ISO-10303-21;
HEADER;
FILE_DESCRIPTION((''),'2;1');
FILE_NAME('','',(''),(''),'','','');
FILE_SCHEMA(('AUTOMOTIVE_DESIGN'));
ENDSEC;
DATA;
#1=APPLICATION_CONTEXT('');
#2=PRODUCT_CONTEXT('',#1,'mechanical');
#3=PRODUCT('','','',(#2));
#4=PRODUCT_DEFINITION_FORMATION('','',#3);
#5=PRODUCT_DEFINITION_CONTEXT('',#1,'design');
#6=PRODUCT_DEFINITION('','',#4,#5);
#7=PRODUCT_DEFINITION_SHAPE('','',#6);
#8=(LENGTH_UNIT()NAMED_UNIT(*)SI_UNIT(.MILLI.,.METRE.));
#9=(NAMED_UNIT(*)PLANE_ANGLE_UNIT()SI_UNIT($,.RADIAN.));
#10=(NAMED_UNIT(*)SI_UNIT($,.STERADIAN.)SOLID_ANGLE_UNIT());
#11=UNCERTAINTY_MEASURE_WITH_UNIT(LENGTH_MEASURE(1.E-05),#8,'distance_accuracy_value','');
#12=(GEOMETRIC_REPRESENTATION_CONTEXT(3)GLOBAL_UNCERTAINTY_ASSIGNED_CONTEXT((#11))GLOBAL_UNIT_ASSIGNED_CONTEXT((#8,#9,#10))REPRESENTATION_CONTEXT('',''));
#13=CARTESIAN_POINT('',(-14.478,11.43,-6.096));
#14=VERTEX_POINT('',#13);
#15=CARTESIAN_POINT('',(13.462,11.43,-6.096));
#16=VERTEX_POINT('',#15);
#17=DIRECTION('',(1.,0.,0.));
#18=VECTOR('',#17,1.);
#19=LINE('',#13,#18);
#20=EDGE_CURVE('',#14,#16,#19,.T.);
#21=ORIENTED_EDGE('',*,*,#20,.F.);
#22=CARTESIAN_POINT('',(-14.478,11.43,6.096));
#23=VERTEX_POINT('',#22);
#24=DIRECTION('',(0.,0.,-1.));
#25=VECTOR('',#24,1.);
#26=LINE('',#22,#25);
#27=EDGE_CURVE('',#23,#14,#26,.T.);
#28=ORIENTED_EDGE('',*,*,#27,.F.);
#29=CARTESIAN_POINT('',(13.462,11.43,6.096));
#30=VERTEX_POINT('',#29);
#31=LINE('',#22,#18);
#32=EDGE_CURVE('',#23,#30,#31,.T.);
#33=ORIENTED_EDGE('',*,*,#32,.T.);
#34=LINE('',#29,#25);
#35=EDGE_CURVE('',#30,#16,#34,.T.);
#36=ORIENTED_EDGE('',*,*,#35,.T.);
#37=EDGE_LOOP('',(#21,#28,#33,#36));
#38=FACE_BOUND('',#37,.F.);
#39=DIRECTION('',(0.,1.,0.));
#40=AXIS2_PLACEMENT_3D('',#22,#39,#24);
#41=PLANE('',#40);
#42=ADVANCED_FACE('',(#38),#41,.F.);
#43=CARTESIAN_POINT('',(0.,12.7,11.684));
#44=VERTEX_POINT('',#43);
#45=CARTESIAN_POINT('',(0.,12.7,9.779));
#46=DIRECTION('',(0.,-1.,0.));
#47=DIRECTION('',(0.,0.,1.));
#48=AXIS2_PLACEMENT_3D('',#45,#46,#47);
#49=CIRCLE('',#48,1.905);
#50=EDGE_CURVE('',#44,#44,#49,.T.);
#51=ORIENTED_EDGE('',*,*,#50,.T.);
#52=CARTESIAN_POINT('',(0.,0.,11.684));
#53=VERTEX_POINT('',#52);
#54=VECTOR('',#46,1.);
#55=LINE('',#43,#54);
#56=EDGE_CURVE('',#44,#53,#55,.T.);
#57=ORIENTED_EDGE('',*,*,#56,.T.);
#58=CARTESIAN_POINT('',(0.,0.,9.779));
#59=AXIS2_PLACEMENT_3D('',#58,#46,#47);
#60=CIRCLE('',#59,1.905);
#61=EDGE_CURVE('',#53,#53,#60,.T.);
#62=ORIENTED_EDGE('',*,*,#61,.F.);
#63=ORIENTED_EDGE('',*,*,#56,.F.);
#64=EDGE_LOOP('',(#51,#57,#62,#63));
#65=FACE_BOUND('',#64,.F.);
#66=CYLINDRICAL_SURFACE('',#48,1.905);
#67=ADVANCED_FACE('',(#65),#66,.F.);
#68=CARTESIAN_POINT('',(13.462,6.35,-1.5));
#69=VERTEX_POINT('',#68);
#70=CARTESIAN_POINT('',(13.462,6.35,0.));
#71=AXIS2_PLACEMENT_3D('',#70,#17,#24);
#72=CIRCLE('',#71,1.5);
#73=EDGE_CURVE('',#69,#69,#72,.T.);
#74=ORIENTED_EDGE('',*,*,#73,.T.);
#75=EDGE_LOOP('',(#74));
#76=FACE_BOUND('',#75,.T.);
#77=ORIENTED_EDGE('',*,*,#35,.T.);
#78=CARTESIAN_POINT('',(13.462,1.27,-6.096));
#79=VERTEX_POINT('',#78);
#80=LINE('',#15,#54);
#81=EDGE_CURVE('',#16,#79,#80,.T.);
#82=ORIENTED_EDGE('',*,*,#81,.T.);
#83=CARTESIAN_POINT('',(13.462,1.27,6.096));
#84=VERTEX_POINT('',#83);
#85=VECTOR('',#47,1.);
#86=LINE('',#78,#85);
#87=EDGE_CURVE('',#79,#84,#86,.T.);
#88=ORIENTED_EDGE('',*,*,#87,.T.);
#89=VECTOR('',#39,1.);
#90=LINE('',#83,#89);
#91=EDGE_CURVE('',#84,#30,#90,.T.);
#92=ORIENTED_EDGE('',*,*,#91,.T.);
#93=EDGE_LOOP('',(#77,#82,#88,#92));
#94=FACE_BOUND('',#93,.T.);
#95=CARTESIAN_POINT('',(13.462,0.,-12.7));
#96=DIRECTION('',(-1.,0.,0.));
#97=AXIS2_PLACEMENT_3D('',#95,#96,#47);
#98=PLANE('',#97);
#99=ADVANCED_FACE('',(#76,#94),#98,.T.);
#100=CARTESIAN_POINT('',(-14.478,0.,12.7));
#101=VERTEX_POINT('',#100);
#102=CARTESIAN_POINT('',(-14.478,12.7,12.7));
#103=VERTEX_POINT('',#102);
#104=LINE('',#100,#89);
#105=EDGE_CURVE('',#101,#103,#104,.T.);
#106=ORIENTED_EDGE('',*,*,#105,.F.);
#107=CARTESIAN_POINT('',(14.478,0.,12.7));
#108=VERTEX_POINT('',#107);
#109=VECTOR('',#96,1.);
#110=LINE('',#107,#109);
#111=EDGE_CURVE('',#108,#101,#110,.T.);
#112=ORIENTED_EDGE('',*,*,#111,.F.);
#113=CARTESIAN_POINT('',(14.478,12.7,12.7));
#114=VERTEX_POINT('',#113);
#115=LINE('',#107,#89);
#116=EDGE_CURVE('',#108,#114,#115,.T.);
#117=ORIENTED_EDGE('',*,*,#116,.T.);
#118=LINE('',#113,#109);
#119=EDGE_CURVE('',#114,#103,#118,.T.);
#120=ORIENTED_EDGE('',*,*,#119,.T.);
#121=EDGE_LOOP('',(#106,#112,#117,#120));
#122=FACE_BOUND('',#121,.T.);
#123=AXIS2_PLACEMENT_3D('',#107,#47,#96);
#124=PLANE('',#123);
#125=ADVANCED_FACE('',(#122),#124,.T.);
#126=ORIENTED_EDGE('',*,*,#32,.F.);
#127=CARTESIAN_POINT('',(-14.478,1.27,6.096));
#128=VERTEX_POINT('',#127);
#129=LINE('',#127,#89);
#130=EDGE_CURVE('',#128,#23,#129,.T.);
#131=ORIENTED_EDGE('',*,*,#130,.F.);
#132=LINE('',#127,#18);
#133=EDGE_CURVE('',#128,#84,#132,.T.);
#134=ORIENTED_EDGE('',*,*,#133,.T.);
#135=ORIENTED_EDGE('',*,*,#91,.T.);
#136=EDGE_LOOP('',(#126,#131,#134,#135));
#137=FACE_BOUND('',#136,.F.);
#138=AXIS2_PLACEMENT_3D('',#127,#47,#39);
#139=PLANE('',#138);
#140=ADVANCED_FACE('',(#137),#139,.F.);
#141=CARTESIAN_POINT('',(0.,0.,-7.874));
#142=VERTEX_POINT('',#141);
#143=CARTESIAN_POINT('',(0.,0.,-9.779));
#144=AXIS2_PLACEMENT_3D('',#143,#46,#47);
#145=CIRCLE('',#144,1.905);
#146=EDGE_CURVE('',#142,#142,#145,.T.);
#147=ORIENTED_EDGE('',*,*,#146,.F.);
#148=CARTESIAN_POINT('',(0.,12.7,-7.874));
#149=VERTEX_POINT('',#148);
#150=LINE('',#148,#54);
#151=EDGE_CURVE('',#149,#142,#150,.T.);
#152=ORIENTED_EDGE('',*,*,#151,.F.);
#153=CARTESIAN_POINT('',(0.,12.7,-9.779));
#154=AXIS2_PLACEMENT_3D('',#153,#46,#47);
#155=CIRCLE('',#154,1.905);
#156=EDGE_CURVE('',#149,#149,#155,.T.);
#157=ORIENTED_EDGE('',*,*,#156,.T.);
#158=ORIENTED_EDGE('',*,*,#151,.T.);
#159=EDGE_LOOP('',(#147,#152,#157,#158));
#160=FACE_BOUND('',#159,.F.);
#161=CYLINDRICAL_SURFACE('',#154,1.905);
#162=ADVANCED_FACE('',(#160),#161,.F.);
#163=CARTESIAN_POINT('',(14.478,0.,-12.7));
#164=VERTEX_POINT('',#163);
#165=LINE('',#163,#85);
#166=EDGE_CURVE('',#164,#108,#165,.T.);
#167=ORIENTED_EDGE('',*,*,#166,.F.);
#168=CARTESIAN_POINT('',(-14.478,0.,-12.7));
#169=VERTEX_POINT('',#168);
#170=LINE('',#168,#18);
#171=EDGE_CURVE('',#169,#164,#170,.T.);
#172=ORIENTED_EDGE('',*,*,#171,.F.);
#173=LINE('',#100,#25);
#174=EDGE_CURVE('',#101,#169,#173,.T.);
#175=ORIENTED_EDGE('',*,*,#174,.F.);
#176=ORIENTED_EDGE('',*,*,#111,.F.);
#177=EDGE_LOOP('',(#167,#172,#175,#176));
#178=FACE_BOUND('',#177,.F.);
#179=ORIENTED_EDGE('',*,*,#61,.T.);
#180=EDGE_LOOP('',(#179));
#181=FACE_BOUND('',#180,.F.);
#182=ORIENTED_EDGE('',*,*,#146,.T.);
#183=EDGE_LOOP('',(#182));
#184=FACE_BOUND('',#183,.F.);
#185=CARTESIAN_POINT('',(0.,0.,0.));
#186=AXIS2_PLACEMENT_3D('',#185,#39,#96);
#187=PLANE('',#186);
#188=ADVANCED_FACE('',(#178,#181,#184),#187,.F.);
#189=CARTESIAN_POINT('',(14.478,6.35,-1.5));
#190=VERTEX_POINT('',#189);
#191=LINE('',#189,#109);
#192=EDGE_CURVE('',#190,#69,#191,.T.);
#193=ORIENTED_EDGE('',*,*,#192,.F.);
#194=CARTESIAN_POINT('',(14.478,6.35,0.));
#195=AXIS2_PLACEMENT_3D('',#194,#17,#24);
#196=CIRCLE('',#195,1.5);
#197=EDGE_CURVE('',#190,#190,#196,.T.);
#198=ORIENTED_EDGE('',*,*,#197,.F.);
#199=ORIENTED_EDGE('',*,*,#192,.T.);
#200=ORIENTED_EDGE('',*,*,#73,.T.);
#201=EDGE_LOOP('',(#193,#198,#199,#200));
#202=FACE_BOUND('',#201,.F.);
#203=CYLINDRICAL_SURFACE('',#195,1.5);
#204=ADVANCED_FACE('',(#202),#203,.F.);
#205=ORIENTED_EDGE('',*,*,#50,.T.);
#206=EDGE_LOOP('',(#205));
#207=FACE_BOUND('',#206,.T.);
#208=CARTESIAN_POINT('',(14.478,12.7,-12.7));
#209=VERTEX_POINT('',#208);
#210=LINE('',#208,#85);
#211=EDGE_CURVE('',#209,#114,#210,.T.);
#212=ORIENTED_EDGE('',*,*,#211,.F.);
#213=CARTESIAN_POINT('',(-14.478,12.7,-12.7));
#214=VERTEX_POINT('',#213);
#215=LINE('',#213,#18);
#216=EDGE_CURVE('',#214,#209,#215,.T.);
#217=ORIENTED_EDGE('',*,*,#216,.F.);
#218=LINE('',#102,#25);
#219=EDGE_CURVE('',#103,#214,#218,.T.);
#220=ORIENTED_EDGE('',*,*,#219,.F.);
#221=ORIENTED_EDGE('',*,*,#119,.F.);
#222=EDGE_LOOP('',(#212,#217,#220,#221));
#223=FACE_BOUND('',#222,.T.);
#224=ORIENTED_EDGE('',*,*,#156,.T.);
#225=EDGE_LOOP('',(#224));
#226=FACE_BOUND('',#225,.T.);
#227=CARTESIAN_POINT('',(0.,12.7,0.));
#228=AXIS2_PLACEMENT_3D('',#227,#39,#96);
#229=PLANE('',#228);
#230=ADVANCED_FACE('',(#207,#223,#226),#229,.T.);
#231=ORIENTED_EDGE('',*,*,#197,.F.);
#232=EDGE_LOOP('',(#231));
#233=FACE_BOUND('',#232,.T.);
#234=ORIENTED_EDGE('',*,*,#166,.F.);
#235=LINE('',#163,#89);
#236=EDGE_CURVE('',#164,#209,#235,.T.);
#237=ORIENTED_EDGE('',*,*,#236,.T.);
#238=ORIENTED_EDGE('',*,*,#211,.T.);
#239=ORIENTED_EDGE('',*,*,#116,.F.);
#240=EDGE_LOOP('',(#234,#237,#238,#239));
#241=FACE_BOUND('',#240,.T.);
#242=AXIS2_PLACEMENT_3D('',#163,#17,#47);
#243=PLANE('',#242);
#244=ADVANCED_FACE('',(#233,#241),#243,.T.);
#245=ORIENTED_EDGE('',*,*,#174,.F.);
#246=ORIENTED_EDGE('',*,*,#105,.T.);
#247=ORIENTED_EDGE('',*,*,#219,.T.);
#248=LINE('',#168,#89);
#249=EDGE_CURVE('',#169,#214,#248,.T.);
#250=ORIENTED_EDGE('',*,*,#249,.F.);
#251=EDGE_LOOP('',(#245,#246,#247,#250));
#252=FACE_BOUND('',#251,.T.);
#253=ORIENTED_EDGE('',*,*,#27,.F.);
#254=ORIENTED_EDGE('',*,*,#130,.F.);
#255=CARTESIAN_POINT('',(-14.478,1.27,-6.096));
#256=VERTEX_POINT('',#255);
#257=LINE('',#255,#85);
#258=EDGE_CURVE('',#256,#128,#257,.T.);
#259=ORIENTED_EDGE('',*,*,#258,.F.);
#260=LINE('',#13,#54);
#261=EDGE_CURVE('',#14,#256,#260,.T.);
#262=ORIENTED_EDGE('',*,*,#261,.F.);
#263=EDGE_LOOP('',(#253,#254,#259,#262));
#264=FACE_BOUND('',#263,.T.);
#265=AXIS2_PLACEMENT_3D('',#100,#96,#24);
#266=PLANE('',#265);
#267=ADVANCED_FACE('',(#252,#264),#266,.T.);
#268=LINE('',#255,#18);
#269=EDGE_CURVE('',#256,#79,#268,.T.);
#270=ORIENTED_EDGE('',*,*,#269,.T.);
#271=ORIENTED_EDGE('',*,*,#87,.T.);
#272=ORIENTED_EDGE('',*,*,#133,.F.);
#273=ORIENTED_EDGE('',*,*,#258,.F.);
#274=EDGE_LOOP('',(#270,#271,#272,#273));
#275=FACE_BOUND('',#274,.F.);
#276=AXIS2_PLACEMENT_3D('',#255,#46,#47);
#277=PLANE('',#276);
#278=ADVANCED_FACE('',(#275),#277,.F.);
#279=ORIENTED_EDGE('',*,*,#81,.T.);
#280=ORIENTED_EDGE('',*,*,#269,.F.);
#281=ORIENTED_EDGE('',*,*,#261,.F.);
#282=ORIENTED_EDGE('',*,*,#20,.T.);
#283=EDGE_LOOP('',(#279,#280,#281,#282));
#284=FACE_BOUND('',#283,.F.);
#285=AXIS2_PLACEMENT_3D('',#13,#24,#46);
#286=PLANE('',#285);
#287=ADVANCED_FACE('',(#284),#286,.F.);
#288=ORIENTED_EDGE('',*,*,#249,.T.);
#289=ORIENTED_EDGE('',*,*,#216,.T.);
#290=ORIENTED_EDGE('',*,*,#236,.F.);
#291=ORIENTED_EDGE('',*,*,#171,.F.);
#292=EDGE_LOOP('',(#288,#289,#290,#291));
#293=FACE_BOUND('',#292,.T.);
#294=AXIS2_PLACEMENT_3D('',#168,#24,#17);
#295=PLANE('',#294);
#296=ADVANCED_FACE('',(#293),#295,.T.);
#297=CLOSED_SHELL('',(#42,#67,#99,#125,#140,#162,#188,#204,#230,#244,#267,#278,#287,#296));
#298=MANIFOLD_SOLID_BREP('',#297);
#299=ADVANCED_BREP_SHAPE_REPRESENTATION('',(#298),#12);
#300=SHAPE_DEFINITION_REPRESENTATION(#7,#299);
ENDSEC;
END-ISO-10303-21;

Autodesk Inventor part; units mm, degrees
ref_plane "YZ Plane" through (0, 0, 0) normal (1, 0, 0) x (0, 1, 0)
ref_plane "XZ Plane" through (0, 0, 0) normal (0, 1, 0) x (-1, 0, 0)
ref_plane "XY Plane" through (0, 0, 0) normal (0, 0, 1) x (1, 0, 0)
sketch "Sketch1" plane through (0, 0, 0) normal (0, 1, 0) x (-1, 0, 0)
  line L0 (-14.478, 12.7) -> (14.478, 12.7)
  line L1 (14.478, 12.7) -> (14.478, -12.7)
  line L2 (14.478, -12.7) -> (-14.478, -12.7)
  line L3 (-14.478, -12.7) -> (-14.478, 12.7)
  line L4 (-14.478, 12.7) -> (14.478, -12.7) construction
  line L5 (14.478, 12.7) -> (-14.478, -12.7) construction
  point P0 (0, 0)
  dimension "d0" = 28.956
  dimension "d1" = 25.4
extrude "Extrusion1" add sketch "Sketch1" along normal blind 12.7
sketch "Sketch2" plane through (0, 12.7, 0) normal (0, 1, 0) x (1, 0, 0)
  point P0 (0, 0)
  point P1 (0, -9.779)
  point P2 (0, 9.779)
  dimension "d4" = 9.779
  dimension "d5" = 19.558
hole "Hole1" at (0, 12.7, 9.779) at (0, 12.7, -9.779) direction (0, -1, 0) diameter 3.81 end through all clearance for "Flat Head Machine Screw (82)" size "#6" standard "Ansi Unified Screw Threads"
sketch "Sketch3" plane through (14.478, 0, 12.7) normal (1, 0, 0) x (0, 0, -1)
  circle A0 centre (12.7, 6.35) radius 1.5
  line L0 (25.4, 0) -> (0, 0) projected
  line L1 (0, 12.7) -> (25.4, 12.7) projected
  point P0 (12.7, 0)
  point P1 (12.7, 0)
  point P2 (11.582, 7.35)
  point P3 (13.818, 7.35)
  dimension "d13" = 3
  dimension "d14" = 6.35
  dimension "d15" = 12.7
extrude "Extrusion3" cut sketch "Sketch3" against normal through all
sketch "Sketch5" plane through (-14.478, 0, -12.7) normal (-1, 0, 0) x (0, 0, 1)
  line L0 (6.604, 1.27) -> (18.796, 1.27)
  line L1 (18.796, 1.27) -> (18.796, 11.43)
  line L2 (18.796, 11.43) -> (6.604, 11.43)
  line L3 (6.604, 11.43) -> (6.604, 1.27)
  line L4 (6.604, 1.27) -> (18.796, 11.43) construction
  line L5 (18.796, 1.27) -> (6.604, 11.43) construction
  line L6 (0, 12.7) -> (25.4, 12.7) projected
  line L7 (25.4, 0) -> (0, 0) projected
  point P0 (12.7, 0)
  point P1 (12.7, 6.35)
  dimension "d23" = 12.192
  dimension "d24" = 10.16
  dimension "d25" = 1.27
  dimension "d26" = 1.27
extrude "Extrusion5" cut sketch "Sketch5" against normal blind 27.94
equation "\"d14\" = 0.5 * d15"
equation "\"d26\" = d25"
properties part number "MotorEnclosure" material "ABS Plastic"
